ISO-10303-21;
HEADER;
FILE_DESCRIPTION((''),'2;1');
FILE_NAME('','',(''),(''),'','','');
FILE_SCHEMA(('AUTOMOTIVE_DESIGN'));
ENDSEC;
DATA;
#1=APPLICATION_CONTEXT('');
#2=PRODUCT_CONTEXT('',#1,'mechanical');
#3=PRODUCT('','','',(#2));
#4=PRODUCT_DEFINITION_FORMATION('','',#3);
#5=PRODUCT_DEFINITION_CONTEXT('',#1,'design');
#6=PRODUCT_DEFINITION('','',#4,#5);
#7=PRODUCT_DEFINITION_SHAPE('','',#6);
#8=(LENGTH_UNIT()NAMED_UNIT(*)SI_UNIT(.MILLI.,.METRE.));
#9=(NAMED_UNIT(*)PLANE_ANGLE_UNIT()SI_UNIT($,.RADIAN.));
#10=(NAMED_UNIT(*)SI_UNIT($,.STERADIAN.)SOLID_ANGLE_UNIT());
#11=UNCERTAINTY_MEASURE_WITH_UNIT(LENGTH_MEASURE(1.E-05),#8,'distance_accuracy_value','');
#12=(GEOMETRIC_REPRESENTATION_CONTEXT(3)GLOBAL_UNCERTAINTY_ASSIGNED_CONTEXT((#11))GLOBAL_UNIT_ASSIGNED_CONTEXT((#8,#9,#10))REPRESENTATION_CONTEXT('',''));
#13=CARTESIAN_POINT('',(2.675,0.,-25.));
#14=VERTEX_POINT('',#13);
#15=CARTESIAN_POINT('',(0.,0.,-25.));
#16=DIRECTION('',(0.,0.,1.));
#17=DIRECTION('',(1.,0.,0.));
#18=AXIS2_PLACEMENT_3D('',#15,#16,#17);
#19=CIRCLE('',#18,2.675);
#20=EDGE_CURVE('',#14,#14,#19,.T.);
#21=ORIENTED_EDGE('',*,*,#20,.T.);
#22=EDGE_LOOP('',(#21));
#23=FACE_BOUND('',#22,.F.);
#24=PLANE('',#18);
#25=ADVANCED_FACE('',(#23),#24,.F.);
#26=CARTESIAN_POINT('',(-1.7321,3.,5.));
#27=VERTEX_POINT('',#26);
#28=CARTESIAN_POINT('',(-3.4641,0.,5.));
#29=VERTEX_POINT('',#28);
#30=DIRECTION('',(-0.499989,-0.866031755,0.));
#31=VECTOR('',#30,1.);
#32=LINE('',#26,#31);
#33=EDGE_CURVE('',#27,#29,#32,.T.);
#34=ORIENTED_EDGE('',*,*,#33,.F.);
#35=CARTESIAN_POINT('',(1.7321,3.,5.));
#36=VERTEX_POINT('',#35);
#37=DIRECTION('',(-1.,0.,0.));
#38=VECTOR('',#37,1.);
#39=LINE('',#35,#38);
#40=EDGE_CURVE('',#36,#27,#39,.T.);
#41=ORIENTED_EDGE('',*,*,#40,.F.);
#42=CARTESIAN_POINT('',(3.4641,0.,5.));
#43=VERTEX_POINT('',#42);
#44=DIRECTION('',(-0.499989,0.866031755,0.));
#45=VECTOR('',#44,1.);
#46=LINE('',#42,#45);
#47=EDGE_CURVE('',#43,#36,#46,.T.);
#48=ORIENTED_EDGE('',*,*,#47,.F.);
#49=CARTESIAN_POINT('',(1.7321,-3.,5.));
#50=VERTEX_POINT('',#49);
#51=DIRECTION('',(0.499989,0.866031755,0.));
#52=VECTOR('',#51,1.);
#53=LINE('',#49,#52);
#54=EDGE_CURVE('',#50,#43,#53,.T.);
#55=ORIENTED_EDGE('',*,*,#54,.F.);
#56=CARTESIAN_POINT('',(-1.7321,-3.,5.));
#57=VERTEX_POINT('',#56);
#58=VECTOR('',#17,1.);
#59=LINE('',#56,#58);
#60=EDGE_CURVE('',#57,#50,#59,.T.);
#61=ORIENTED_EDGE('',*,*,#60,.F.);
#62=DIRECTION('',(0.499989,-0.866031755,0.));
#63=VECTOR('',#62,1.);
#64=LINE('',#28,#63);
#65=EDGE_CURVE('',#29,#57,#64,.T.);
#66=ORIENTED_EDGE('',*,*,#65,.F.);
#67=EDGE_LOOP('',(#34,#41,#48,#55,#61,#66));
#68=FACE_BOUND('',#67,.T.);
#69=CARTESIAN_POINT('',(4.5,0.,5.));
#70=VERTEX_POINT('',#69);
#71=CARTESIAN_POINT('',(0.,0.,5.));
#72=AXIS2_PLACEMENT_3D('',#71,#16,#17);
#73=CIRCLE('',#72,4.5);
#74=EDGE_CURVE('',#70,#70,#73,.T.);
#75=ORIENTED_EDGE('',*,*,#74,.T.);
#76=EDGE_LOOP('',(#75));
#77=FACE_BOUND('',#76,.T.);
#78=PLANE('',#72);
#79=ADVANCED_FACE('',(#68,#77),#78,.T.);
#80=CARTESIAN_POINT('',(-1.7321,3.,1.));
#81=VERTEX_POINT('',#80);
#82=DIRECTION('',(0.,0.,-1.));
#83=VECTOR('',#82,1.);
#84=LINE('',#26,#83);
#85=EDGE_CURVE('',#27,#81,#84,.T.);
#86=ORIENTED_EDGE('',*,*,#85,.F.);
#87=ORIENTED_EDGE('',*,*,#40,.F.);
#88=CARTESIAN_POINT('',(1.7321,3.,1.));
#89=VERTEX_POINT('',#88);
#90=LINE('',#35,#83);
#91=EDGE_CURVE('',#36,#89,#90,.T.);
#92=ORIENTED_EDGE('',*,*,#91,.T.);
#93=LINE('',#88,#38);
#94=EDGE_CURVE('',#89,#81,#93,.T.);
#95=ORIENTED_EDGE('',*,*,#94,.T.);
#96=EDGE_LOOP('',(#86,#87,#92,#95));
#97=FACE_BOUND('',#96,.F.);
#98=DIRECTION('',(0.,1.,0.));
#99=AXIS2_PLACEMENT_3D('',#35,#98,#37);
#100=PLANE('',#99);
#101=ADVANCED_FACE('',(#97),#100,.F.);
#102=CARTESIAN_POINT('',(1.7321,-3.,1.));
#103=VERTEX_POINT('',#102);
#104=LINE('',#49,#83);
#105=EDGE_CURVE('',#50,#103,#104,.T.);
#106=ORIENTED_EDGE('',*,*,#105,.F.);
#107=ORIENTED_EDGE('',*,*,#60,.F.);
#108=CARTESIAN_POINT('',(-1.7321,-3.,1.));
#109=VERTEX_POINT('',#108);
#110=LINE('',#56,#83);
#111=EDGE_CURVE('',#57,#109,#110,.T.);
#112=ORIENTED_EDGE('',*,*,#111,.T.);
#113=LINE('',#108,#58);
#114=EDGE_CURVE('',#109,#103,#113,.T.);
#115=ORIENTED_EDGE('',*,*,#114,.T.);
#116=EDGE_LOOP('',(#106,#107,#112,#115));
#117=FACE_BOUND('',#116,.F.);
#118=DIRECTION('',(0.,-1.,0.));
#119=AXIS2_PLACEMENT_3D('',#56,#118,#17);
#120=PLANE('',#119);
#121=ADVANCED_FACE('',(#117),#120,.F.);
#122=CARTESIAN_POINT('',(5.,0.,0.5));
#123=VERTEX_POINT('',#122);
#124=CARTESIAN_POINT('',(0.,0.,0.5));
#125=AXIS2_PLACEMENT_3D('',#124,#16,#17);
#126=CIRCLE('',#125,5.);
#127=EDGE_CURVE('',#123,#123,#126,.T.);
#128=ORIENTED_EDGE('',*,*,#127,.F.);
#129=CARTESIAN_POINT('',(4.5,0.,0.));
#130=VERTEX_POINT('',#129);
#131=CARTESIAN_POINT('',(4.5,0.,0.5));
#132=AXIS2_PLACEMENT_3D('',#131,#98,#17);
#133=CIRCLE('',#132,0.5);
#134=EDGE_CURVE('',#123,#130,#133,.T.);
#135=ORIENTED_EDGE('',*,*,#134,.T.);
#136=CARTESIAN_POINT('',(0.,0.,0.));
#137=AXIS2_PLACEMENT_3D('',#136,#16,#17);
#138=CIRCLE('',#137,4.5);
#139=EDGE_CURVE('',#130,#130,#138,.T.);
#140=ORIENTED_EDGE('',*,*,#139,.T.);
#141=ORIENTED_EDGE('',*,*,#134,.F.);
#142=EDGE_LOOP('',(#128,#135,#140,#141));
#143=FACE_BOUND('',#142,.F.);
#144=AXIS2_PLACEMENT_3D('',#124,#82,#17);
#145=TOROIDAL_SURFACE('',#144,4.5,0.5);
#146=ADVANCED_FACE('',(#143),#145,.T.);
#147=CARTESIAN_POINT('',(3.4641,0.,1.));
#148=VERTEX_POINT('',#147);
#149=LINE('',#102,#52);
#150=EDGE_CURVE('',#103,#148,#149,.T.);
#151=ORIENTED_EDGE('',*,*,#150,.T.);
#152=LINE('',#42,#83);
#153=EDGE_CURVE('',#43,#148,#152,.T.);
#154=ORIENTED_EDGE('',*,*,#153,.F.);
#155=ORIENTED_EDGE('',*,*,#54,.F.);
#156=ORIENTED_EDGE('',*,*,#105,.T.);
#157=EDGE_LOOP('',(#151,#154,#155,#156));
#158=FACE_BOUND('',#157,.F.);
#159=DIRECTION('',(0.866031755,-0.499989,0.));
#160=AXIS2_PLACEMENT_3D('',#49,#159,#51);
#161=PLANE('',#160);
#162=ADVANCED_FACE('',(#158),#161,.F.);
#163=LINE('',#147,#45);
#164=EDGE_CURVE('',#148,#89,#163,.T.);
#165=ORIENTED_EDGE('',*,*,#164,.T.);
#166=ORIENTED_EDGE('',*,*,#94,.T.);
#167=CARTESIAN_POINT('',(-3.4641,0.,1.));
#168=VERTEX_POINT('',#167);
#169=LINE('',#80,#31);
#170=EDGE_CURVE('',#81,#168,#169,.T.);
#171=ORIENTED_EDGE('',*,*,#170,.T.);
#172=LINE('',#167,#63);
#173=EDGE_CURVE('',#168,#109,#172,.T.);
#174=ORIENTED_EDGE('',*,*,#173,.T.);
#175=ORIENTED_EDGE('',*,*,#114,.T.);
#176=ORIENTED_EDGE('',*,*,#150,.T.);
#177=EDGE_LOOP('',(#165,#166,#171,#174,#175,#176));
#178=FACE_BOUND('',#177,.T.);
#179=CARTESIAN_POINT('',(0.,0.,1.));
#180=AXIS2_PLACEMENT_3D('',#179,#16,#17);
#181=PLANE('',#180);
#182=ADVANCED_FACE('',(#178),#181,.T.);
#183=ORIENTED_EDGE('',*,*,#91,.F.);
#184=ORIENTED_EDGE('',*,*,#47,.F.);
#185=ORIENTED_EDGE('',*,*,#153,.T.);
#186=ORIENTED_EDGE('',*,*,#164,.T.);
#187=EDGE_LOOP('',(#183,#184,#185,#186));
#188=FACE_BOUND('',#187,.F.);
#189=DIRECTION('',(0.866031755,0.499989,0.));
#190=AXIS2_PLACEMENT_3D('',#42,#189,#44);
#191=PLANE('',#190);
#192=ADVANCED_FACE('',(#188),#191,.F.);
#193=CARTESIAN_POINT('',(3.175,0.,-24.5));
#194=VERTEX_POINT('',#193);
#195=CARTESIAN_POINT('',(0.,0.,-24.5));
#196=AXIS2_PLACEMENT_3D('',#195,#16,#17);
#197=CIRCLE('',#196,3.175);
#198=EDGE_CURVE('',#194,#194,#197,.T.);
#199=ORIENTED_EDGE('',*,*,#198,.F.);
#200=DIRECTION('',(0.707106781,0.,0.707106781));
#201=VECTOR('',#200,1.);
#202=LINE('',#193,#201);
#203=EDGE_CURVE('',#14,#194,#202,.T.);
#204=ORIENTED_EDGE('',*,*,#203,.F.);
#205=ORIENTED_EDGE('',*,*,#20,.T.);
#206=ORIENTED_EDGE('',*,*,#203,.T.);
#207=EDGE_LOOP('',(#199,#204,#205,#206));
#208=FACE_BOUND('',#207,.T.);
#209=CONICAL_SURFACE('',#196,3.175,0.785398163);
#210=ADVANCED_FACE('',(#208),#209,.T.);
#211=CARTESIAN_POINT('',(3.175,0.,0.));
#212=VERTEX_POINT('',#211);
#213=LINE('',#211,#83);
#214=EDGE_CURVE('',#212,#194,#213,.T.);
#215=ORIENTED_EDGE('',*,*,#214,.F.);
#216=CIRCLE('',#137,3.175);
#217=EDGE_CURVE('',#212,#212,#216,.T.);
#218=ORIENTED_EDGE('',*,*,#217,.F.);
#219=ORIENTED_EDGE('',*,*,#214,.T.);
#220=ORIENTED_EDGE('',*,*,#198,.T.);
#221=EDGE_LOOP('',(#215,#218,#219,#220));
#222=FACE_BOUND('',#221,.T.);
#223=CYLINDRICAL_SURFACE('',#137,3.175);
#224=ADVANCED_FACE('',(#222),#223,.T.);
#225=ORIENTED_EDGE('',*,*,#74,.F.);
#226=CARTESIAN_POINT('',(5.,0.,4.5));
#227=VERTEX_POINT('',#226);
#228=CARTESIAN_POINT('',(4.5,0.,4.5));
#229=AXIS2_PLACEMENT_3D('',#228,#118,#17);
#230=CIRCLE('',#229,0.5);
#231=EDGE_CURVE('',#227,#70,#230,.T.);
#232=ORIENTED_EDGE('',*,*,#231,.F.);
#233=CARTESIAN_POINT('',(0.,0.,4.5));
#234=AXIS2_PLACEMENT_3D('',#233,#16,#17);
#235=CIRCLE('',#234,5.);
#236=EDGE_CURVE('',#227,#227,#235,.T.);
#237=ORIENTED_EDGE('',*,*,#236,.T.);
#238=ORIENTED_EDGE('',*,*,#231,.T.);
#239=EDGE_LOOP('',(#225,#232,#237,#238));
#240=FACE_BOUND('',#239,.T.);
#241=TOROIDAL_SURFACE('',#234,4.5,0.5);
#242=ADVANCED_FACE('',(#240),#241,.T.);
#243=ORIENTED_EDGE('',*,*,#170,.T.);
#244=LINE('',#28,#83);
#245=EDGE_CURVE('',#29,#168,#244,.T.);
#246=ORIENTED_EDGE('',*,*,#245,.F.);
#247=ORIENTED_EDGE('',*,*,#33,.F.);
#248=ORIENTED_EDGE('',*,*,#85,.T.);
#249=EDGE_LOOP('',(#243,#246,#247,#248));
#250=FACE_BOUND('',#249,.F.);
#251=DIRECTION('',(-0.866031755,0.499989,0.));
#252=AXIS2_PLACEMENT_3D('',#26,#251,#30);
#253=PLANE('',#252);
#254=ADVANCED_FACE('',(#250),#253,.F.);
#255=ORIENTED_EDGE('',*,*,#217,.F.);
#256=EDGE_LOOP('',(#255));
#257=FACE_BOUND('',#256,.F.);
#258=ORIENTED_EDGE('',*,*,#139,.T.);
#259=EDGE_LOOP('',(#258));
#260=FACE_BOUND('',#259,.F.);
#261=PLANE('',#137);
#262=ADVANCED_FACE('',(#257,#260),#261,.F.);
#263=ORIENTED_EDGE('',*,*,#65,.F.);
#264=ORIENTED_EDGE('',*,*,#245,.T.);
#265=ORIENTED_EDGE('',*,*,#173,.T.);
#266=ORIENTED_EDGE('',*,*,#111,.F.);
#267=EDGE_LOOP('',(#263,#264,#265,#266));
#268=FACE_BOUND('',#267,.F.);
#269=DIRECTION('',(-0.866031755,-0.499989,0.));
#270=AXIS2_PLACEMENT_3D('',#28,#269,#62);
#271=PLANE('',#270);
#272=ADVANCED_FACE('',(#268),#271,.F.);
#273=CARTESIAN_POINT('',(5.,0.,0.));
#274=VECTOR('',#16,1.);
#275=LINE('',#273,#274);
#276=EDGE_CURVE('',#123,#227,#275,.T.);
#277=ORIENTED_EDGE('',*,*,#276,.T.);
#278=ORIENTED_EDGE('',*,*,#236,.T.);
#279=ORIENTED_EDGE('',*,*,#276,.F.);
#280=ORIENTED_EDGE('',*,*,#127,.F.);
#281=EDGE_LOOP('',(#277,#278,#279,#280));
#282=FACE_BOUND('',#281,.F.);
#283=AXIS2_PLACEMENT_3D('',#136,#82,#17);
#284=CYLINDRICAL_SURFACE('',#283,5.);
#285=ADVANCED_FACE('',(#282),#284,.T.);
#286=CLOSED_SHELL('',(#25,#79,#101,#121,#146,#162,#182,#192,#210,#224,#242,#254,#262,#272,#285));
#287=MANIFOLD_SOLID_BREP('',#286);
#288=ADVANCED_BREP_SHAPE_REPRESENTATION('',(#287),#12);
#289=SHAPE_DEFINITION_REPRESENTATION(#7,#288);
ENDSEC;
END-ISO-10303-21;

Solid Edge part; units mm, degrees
sketch "Sketch1" plane through (0, 0, 0) normal (0, 0, 1) x (1, 0, 0)
  circle A0 centre (0, 0) radius 3.175
extrude "Protrusion1" add sketch "Sketch1" against normal blind 25
sketch "Sketch2" plane through (0, 0, 0) normal (0, 0, 1) x (1, 0, 0)
  circle A0 centre (0, 0) radius 5
extrude "ExtrudedProtrusion_2" add sketch "Sketch2" along normal blind 5
fillet "Round_1" radius 0.5 2 edges at (-5, 0, 5) (-5, 0, 0)
sketch "Sketch3" plane through (0, 0, 5) normal (0, 0, 1) x (1, 0, 0)
  line L0 (-1.7321, 3) -> (-3.4641, 0)
  line L1 (-3.4641, 0) -> (-1.7321, -3)
  line L2 (-1.7321, -3) -> (1.7321, -3)
  line L3 (1.7321, -3) -> (3.4641, 0)
  line L4 (3.4641, 0) -> (1.7321, 3)
  line L5 (1.7321, 3) -> (-1.7321, 3)
extrude "ExtrudedCutout_1" cut sketch "Sketch3" against normal blind 4
chamfer "Chamfer_1" distance 0.5 angle 45 1 edges at (-3.175, 0, -25) measured on face at (-2.1802, -2.0532, -25)
cosmetic_thread "Thread1" size "1/4-20 UNC"
